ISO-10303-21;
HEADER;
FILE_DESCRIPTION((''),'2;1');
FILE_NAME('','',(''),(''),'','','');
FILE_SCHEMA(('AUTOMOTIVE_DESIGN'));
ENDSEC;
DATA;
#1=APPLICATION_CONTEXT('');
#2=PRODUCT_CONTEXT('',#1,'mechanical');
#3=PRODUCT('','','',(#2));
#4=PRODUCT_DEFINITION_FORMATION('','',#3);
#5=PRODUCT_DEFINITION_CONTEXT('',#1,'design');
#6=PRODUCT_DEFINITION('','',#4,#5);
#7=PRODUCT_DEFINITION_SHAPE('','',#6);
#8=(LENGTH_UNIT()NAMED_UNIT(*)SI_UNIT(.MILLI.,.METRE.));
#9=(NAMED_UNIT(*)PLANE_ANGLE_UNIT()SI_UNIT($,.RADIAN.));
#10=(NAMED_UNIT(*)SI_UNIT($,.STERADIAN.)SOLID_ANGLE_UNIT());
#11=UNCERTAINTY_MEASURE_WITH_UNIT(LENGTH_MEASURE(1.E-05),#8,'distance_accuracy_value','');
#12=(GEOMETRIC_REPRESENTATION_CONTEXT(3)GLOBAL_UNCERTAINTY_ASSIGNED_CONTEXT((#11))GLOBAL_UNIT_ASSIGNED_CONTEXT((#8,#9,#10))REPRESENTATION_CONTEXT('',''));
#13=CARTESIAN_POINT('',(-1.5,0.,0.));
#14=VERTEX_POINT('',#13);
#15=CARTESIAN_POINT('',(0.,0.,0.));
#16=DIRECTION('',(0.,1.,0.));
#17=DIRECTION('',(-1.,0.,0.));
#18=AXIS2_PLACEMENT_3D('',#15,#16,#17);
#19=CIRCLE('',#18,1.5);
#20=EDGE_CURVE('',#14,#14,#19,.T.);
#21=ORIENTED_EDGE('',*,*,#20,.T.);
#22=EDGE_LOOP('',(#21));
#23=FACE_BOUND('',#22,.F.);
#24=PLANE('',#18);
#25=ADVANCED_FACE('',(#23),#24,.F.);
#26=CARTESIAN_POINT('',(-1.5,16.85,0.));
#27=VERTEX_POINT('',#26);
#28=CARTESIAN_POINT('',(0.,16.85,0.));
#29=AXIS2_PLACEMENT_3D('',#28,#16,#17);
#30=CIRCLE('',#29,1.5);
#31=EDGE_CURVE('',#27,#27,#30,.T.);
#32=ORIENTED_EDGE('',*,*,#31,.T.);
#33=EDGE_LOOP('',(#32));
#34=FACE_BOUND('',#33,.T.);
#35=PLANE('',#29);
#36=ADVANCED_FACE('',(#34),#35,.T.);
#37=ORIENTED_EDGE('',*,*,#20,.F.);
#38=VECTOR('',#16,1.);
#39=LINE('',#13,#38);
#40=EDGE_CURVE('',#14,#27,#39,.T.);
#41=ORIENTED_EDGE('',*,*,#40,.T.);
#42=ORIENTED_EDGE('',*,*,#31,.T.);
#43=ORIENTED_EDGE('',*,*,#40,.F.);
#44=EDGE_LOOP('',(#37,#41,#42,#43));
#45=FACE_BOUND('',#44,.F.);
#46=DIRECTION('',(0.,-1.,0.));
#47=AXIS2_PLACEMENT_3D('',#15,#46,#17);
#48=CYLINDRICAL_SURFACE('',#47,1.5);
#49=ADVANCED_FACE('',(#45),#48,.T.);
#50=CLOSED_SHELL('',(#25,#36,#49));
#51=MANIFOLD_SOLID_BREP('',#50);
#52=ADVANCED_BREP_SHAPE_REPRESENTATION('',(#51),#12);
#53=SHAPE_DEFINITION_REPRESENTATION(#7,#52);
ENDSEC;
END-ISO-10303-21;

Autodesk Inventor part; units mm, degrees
ref_plane "YZ Plane" through (0, 0, 0) normal (1, 0, 0) x (0, 1, 0)
ref_plane "XZ Plane" through (0, 0, 0) normal (0, 1, 0) x (-1, 0, 0)
ref_plane "XY Plane" through (0, 0, 0) normal (0, 0, 1) x (1, 0, 0)
sketch "Sketch1" plane through (0, 0, 0) normal (0, 1, 0) x (-1, 0, 0)
  circle A0 centre (0, 0) radius 1.5
  dimension "d0" = 3
extrude "Extrusion1" add sketch "Sketch1" along normal blind 16.85
properties part number "Eje_rotacion_delantero"
